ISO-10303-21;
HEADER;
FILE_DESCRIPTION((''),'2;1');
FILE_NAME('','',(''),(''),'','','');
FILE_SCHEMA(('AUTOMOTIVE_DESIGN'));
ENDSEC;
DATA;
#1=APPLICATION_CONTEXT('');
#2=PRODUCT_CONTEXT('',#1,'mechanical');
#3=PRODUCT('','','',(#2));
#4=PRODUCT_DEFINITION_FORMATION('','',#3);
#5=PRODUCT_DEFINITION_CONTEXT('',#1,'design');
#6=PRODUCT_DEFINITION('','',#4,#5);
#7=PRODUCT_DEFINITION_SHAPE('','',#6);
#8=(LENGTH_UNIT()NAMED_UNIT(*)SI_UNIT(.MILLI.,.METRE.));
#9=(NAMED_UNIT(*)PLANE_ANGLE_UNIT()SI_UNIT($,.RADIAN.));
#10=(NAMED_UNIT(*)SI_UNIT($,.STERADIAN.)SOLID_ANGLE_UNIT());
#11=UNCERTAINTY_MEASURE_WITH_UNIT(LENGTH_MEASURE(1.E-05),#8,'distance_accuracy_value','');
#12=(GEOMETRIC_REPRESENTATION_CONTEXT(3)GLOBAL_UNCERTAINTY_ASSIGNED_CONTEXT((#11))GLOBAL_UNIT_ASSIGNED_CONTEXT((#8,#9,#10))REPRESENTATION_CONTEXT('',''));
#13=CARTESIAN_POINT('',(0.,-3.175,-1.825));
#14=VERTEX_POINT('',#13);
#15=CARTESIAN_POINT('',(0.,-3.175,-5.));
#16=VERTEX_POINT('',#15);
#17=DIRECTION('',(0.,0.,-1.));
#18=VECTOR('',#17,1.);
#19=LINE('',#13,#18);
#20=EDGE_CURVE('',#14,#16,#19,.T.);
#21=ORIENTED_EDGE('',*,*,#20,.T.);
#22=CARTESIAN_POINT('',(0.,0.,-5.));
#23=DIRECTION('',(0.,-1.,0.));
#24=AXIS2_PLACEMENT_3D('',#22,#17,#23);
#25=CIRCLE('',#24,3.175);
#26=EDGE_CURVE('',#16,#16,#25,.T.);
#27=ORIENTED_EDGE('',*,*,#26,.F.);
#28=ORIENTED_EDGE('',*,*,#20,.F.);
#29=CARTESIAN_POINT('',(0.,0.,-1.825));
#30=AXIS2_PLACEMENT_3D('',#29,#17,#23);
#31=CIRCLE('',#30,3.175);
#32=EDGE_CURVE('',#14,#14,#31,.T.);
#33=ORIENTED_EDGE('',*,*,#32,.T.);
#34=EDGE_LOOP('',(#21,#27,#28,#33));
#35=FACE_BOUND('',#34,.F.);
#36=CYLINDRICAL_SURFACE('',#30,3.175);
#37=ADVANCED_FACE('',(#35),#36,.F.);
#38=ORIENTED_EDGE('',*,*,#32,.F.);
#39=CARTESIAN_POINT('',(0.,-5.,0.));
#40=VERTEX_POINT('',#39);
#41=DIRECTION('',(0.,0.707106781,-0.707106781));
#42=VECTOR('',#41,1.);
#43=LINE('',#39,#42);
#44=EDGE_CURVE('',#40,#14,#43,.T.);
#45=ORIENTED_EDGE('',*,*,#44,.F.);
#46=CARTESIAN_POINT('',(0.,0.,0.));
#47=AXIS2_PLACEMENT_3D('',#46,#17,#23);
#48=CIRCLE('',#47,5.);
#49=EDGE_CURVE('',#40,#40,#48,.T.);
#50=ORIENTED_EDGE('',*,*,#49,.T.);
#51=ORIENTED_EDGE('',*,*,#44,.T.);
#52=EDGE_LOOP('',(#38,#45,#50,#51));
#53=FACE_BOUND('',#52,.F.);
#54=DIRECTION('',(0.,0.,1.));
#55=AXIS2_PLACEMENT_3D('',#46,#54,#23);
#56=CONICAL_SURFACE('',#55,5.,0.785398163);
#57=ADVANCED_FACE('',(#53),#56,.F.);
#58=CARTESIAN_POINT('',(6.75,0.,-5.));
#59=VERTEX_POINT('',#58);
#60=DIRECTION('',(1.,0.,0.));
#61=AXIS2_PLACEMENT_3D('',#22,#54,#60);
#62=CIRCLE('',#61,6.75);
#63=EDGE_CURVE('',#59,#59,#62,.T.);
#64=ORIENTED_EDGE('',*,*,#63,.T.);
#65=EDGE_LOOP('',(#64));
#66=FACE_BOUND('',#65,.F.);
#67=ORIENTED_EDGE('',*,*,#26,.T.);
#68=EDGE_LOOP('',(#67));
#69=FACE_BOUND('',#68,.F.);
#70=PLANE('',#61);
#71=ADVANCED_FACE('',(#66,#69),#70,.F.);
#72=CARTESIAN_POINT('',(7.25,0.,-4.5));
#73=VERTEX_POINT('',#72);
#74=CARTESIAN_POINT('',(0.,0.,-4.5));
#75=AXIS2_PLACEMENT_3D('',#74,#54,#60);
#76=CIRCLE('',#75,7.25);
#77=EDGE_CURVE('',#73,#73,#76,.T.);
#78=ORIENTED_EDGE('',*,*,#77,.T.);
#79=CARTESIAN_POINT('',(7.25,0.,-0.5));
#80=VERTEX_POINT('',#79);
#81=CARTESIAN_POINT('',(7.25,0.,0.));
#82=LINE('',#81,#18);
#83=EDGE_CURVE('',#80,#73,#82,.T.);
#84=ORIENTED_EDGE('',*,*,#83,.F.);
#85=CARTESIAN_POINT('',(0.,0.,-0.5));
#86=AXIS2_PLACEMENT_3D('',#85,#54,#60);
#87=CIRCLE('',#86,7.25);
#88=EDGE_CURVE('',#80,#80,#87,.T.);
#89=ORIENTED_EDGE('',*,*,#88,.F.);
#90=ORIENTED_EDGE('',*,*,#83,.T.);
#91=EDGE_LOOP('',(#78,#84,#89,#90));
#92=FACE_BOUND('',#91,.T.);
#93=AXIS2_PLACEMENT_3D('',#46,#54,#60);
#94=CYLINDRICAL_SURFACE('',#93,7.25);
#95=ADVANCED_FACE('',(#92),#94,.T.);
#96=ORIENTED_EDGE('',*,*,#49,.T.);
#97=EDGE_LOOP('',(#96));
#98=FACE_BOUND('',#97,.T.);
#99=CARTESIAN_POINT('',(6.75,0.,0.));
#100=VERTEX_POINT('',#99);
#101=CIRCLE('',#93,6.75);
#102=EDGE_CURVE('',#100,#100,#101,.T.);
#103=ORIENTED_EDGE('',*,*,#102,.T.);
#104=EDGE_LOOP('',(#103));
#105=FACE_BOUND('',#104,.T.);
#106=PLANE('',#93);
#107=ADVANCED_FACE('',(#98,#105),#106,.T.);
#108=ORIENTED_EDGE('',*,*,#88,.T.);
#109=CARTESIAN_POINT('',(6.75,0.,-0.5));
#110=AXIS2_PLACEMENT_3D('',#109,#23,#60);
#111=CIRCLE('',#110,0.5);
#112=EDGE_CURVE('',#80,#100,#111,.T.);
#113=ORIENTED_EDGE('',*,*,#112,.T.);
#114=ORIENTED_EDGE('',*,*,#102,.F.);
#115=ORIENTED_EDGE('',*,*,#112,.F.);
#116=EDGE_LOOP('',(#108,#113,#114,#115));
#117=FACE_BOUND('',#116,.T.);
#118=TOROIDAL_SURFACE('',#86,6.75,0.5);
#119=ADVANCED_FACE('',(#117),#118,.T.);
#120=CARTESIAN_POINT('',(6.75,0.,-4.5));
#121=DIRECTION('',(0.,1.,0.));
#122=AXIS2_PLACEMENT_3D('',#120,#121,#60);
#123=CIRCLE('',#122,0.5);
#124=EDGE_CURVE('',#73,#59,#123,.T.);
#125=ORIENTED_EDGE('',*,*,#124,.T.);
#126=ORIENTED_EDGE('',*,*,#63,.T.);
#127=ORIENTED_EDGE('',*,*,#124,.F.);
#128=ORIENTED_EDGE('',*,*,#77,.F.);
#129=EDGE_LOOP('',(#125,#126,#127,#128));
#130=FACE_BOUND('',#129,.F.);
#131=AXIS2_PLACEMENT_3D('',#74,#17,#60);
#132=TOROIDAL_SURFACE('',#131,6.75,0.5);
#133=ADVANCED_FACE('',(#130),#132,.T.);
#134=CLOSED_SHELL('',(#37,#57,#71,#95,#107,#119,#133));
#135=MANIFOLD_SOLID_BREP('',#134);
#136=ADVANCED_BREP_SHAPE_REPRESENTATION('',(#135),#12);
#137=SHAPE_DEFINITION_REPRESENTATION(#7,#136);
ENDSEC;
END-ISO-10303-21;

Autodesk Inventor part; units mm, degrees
ref_plane "YZ Plane" through (0, 0, 0) normal (1, 0, 0) x (0, 1, 0)
ref_plane "XZ Plane" through (0, 0, 0) normal (0, 1, 0) x (-1, 0, 0)
ref_plane "XY Plane" through (0, 0, 0) normal (0, 0, 1) x (1, 0, 0)
sketch "Sketch1" plane through (0, 0, 0) normal (0, 0, 1) x (1, 0, 0)
  circle A0 centre (0, 0) radius 7.25
  dimension "d0" = 14.5
extrude "Extrusion1" add sketch "Sketch1" against normal blind 5
hole "Hole1" at (0, 0, 0) direction (0, 0, -1) diameter 6.35 end through all countersink diameter 10 countersink angle 90
fillet "Fillet1" radius 0.5 2 edges at (-7.25, 0, 0) (-7.25, 0, -5)
properties part number "plate"
